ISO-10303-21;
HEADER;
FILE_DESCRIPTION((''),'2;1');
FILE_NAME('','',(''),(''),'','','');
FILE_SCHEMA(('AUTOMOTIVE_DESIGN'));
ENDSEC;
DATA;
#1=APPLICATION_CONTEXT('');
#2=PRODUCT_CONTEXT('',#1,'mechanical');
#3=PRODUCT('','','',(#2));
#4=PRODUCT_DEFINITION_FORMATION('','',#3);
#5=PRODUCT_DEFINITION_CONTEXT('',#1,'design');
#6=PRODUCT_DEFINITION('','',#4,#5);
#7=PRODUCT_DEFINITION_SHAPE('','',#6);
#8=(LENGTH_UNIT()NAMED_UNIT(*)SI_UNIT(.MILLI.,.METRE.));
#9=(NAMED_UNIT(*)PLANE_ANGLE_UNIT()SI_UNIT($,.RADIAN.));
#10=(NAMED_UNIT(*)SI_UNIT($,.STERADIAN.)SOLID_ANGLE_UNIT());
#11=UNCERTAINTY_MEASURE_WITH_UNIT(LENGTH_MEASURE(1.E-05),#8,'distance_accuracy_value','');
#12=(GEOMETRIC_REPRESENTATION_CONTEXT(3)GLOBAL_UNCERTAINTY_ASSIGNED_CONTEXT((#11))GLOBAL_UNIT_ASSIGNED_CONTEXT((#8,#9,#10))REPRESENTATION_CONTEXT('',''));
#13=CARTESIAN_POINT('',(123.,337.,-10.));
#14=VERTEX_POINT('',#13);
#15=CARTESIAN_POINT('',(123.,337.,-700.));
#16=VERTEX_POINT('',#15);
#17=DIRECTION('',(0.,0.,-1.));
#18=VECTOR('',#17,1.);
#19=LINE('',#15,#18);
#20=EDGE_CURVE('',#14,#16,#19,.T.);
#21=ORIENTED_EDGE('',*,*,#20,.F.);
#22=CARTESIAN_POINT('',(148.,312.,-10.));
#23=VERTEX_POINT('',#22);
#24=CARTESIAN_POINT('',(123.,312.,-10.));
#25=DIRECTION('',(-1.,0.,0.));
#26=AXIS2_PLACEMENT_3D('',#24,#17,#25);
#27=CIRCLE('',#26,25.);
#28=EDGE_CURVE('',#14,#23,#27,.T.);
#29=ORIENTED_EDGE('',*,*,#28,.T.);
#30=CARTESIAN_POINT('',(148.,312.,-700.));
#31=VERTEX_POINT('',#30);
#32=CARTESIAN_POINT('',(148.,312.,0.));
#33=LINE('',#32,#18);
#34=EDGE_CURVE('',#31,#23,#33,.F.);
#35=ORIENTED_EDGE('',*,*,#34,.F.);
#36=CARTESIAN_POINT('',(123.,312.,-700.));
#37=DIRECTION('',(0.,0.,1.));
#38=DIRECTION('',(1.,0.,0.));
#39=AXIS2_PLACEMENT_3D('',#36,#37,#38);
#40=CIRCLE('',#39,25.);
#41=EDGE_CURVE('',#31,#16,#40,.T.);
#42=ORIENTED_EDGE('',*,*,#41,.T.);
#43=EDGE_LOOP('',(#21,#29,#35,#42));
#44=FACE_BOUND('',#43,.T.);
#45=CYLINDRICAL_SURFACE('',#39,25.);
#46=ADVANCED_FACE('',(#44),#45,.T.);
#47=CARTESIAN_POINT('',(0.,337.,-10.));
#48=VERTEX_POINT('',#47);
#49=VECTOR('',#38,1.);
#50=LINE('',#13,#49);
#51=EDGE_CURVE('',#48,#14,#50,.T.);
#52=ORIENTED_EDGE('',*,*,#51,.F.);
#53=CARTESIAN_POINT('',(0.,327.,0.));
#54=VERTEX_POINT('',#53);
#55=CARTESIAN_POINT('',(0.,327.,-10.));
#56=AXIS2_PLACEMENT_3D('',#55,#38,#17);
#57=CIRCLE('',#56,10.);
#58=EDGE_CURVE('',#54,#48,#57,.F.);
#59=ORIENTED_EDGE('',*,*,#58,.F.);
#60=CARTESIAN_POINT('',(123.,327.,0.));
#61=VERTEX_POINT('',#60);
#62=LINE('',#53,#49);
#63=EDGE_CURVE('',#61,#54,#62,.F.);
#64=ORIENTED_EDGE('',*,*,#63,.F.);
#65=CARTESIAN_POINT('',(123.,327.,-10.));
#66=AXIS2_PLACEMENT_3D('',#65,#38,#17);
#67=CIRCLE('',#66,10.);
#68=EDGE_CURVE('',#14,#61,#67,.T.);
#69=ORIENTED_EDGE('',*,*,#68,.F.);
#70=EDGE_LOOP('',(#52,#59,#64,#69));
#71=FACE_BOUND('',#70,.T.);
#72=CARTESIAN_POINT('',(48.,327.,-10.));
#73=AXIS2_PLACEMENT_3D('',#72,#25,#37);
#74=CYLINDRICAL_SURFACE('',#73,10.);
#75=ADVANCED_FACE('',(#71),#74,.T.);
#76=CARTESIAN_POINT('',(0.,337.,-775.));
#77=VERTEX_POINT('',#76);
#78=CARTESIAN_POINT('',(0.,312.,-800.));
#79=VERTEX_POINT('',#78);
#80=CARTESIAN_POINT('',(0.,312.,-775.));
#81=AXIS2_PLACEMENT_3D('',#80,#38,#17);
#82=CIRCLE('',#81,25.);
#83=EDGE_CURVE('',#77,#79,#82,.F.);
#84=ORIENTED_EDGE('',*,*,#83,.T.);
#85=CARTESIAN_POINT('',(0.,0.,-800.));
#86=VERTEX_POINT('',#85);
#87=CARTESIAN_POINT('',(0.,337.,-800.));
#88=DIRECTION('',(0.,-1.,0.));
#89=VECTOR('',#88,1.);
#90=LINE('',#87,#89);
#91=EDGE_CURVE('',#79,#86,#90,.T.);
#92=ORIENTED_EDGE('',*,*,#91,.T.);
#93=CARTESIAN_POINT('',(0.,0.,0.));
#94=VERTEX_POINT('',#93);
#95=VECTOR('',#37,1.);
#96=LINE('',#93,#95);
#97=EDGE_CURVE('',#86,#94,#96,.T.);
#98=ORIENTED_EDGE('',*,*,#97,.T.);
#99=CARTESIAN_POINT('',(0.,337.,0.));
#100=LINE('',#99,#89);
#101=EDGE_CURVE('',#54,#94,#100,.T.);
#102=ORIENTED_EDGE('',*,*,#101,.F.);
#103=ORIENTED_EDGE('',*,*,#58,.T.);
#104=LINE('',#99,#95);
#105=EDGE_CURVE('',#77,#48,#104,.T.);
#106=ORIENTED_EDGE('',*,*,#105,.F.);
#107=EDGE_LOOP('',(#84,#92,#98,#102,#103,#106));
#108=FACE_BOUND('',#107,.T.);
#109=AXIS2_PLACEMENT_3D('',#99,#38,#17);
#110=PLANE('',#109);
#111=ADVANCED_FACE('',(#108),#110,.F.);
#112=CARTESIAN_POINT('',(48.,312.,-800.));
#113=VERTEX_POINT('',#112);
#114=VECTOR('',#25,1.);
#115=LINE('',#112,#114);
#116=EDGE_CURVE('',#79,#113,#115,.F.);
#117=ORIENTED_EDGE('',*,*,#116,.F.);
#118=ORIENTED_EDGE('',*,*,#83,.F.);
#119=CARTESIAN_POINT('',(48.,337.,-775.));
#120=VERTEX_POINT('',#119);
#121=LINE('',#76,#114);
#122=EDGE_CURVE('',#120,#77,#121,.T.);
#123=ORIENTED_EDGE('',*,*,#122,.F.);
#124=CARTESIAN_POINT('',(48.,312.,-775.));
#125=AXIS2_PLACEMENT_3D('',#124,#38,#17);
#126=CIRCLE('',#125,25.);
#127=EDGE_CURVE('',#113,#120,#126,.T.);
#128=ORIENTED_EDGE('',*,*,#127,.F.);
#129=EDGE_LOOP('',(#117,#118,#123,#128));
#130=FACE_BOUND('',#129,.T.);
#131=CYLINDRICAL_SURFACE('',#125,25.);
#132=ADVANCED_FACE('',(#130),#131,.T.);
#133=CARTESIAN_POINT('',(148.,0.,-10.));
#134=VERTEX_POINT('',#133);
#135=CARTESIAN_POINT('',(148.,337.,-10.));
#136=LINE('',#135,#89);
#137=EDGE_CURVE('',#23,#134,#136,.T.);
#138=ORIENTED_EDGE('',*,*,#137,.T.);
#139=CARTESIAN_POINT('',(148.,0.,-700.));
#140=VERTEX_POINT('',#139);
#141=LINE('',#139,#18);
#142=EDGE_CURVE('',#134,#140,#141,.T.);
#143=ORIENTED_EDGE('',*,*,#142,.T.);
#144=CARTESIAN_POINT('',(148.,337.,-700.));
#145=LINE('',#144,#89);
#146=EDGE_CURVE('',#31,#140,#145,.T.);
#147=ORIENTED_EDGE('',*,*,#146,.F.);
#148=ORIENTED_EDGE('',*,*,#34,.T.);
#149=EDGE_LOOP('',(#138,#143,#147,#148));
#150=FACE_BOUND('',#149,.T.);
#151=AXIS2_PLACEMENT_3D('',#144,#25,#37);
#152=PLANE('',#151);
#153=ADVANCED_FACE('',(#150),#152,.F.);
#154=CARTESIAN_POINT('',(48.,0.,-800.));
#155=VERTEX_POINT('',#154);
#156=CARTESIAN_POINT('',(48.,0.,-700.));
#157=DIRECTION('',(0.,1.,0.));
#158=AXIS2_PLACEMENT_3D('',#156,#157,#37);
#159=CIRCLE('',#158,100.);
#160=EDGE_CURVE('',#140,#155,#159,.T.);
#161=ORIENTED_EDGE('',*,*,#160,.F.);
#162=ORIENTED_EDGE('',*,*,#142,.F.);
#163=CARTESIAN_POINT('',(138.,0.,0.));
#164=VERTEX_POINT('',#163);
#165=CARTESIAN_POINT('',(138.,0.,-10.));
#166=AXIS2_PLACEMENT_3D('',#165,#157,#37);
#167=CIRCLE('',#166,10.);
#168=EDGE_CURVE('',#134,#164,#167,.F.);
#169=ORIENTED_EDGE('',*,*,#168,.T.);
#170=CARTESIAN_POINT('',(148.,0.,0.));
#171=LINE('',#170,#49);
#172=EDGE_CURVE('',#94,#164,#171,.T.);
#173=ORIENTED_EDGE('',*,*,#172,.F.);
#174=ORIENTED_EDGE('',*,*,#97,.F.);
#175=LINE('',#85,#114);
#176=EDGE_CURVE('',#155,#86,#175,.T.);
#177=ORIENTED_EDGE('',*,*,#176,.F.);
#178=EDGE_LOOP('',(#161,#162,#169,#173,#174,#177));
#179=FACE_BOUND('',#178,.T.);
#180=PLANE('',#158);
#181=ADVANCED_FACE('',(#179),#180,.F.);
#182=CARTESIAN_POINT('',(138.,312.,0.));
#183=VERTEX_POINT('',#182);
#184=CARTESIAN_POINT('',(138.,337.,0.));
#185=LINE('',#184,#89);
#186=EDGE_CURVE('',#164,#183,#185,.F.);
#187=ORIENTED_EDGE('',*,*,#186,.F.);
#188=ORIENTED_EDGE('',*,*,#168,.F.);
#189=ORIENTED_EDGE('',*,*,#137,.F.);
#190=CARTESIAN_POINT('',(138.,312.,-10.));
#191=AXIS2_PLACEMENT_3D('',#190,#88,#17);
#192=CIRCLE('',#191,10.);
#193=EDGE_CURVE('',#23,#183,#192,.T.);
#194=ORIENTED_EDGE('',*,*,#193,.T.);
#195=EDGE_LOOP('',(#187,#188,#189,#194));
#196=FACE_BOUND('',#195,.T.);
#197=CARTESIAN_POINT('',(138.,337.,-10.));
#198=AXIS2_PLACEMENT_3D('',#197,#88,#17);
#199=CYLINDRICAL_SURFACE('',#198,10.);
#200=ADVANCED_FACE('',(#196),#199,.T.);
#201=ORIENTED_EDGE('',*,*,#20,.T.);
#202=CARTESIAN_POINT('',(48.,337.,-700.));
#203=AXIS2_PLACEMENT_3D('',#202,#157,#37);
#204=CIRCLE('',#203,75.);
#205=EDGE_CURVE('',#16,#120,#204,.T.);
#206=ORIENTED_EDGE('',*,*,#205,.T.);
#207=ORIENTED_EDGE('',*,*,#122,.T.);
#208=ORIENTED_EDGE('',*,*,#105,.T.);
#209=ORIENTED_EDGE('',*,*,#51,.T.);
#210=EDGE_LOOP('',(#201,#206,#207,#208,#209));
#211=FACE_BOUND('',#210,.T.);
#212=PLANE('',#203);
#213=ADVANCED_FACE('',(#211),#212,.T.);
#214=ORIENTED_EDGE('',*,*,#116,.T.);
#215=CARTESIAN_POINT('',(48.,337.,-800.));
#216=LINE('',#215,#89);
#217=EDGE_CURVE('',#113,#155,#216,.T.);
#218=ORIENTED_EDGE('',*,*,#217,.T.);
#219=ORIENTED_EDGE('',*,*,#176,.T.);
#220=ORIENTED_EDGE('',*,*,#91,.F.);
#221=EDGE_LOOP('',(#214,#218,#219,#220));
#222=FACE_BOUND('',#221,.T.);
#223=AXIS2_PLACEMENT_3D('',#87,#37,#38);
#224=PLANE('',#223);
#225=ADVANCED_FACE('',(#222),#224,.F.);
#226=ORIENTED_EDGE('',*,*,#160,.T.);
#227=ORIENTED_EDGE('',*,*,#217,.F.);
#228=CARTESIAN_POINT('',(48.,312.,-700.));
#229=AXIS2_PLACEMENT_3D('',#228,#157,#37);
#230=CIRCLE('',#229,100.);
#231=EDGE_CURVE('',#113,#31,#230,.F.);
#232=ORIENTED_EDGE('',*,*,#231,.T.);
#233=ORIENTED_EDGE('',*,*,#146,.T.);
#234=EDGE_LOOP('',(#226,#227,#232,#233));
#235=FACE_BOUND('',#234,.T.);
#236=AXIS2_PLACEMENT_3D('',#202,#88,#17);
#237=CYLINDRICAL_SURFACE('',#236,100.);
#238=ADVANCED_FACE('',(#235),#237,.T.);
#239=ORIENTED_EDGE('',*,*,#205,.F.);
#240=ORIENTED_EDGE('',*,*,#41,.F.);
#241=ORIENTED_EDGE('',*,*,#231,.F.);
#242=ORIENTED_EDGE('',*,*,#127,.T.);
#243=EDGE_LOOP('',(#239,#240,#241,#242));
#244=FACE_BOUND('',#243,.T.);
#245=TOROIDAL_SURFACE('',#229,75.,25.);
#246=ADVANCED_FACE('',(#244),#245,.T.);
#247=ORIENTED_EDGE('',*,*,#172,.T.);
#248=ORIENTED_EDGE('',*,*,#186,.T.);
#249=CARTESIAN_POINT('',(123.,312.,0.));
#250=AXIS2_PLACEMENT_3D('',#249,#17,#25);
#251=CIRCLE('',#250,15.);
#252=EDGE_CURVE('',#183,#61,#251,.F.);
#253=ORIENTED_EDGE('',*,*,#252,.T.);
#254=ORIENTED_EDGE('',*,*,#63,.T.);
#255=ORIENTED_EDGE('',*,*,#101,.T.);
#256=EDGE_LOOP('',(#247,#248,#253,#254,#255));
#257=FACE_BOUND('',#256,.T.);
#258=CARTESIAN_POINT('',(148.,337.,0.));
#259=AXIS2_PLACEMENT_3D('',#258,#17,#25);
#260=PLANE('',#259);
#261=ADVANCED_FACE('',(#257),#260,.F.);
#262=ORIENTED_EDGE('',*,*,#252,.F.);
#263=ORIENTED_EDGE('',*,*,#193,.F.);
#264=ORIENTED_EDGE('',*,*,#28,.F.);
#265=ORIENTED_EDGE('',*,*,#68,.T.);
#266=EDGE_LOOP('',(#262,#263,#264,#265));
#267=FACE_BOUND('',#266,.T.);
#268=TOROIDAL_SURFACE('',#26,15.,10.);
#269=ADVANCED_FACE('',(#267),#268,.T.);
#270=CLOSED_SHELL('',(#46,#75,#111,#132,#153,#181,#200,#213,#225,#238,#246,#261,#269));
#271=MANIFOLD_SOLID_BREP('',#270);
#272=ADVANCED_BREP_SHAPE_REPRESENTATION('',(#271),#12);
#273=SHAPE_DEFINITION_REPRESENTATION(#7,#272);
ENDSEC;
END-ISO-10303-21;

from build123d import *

# Parameters (mm, degrees)
EXTRUDE_1_DEPTH = 337
FILLET_1_R      = 25
FILLET_2_R      = 10


with BuildPart() as part:
    # 스케치1 → 보스-돌출1 (new body)
    with BuildSketch(Plane(origin=(0, 0, 0), x_dir=(1, 0, 0), z_dir=(0, 1, 0))):
        with BuildLine():
            Line((0, 0), (0, 800))
            Line((0, 800), (48, 800))
            ThreePointArc((48, 800), (118.710678119, 770.710678119), (148, 700))
            Line((148, 700), (148, 0))
            Line((148, 0), (0, 0))
        make_face()
    extrude(amount=EXTRUDE_1_DEPTH)

    # 필렛1
    fillet_1_edges = [part.edges().sort_by_distance(p)[0] for p in [
        (118.710678119, 337, -770.710678119),
        (24, 337, -800),
        (148, 337, -350),
    ]]
    fillet(fillet_1_edges, radius=FILLET_1_R)

    # 필렛2
    fillet_2_edges = [part.edges().sort_by_distance(p)[0] for p in [
        (148, 156, 0),
        (140.67766953, 329.67766953, 0),
        (61.5, 337, 0),
    ]]
    fillet(fillet_2_edges, radius=FILLET_2_R)


solid = part.part
